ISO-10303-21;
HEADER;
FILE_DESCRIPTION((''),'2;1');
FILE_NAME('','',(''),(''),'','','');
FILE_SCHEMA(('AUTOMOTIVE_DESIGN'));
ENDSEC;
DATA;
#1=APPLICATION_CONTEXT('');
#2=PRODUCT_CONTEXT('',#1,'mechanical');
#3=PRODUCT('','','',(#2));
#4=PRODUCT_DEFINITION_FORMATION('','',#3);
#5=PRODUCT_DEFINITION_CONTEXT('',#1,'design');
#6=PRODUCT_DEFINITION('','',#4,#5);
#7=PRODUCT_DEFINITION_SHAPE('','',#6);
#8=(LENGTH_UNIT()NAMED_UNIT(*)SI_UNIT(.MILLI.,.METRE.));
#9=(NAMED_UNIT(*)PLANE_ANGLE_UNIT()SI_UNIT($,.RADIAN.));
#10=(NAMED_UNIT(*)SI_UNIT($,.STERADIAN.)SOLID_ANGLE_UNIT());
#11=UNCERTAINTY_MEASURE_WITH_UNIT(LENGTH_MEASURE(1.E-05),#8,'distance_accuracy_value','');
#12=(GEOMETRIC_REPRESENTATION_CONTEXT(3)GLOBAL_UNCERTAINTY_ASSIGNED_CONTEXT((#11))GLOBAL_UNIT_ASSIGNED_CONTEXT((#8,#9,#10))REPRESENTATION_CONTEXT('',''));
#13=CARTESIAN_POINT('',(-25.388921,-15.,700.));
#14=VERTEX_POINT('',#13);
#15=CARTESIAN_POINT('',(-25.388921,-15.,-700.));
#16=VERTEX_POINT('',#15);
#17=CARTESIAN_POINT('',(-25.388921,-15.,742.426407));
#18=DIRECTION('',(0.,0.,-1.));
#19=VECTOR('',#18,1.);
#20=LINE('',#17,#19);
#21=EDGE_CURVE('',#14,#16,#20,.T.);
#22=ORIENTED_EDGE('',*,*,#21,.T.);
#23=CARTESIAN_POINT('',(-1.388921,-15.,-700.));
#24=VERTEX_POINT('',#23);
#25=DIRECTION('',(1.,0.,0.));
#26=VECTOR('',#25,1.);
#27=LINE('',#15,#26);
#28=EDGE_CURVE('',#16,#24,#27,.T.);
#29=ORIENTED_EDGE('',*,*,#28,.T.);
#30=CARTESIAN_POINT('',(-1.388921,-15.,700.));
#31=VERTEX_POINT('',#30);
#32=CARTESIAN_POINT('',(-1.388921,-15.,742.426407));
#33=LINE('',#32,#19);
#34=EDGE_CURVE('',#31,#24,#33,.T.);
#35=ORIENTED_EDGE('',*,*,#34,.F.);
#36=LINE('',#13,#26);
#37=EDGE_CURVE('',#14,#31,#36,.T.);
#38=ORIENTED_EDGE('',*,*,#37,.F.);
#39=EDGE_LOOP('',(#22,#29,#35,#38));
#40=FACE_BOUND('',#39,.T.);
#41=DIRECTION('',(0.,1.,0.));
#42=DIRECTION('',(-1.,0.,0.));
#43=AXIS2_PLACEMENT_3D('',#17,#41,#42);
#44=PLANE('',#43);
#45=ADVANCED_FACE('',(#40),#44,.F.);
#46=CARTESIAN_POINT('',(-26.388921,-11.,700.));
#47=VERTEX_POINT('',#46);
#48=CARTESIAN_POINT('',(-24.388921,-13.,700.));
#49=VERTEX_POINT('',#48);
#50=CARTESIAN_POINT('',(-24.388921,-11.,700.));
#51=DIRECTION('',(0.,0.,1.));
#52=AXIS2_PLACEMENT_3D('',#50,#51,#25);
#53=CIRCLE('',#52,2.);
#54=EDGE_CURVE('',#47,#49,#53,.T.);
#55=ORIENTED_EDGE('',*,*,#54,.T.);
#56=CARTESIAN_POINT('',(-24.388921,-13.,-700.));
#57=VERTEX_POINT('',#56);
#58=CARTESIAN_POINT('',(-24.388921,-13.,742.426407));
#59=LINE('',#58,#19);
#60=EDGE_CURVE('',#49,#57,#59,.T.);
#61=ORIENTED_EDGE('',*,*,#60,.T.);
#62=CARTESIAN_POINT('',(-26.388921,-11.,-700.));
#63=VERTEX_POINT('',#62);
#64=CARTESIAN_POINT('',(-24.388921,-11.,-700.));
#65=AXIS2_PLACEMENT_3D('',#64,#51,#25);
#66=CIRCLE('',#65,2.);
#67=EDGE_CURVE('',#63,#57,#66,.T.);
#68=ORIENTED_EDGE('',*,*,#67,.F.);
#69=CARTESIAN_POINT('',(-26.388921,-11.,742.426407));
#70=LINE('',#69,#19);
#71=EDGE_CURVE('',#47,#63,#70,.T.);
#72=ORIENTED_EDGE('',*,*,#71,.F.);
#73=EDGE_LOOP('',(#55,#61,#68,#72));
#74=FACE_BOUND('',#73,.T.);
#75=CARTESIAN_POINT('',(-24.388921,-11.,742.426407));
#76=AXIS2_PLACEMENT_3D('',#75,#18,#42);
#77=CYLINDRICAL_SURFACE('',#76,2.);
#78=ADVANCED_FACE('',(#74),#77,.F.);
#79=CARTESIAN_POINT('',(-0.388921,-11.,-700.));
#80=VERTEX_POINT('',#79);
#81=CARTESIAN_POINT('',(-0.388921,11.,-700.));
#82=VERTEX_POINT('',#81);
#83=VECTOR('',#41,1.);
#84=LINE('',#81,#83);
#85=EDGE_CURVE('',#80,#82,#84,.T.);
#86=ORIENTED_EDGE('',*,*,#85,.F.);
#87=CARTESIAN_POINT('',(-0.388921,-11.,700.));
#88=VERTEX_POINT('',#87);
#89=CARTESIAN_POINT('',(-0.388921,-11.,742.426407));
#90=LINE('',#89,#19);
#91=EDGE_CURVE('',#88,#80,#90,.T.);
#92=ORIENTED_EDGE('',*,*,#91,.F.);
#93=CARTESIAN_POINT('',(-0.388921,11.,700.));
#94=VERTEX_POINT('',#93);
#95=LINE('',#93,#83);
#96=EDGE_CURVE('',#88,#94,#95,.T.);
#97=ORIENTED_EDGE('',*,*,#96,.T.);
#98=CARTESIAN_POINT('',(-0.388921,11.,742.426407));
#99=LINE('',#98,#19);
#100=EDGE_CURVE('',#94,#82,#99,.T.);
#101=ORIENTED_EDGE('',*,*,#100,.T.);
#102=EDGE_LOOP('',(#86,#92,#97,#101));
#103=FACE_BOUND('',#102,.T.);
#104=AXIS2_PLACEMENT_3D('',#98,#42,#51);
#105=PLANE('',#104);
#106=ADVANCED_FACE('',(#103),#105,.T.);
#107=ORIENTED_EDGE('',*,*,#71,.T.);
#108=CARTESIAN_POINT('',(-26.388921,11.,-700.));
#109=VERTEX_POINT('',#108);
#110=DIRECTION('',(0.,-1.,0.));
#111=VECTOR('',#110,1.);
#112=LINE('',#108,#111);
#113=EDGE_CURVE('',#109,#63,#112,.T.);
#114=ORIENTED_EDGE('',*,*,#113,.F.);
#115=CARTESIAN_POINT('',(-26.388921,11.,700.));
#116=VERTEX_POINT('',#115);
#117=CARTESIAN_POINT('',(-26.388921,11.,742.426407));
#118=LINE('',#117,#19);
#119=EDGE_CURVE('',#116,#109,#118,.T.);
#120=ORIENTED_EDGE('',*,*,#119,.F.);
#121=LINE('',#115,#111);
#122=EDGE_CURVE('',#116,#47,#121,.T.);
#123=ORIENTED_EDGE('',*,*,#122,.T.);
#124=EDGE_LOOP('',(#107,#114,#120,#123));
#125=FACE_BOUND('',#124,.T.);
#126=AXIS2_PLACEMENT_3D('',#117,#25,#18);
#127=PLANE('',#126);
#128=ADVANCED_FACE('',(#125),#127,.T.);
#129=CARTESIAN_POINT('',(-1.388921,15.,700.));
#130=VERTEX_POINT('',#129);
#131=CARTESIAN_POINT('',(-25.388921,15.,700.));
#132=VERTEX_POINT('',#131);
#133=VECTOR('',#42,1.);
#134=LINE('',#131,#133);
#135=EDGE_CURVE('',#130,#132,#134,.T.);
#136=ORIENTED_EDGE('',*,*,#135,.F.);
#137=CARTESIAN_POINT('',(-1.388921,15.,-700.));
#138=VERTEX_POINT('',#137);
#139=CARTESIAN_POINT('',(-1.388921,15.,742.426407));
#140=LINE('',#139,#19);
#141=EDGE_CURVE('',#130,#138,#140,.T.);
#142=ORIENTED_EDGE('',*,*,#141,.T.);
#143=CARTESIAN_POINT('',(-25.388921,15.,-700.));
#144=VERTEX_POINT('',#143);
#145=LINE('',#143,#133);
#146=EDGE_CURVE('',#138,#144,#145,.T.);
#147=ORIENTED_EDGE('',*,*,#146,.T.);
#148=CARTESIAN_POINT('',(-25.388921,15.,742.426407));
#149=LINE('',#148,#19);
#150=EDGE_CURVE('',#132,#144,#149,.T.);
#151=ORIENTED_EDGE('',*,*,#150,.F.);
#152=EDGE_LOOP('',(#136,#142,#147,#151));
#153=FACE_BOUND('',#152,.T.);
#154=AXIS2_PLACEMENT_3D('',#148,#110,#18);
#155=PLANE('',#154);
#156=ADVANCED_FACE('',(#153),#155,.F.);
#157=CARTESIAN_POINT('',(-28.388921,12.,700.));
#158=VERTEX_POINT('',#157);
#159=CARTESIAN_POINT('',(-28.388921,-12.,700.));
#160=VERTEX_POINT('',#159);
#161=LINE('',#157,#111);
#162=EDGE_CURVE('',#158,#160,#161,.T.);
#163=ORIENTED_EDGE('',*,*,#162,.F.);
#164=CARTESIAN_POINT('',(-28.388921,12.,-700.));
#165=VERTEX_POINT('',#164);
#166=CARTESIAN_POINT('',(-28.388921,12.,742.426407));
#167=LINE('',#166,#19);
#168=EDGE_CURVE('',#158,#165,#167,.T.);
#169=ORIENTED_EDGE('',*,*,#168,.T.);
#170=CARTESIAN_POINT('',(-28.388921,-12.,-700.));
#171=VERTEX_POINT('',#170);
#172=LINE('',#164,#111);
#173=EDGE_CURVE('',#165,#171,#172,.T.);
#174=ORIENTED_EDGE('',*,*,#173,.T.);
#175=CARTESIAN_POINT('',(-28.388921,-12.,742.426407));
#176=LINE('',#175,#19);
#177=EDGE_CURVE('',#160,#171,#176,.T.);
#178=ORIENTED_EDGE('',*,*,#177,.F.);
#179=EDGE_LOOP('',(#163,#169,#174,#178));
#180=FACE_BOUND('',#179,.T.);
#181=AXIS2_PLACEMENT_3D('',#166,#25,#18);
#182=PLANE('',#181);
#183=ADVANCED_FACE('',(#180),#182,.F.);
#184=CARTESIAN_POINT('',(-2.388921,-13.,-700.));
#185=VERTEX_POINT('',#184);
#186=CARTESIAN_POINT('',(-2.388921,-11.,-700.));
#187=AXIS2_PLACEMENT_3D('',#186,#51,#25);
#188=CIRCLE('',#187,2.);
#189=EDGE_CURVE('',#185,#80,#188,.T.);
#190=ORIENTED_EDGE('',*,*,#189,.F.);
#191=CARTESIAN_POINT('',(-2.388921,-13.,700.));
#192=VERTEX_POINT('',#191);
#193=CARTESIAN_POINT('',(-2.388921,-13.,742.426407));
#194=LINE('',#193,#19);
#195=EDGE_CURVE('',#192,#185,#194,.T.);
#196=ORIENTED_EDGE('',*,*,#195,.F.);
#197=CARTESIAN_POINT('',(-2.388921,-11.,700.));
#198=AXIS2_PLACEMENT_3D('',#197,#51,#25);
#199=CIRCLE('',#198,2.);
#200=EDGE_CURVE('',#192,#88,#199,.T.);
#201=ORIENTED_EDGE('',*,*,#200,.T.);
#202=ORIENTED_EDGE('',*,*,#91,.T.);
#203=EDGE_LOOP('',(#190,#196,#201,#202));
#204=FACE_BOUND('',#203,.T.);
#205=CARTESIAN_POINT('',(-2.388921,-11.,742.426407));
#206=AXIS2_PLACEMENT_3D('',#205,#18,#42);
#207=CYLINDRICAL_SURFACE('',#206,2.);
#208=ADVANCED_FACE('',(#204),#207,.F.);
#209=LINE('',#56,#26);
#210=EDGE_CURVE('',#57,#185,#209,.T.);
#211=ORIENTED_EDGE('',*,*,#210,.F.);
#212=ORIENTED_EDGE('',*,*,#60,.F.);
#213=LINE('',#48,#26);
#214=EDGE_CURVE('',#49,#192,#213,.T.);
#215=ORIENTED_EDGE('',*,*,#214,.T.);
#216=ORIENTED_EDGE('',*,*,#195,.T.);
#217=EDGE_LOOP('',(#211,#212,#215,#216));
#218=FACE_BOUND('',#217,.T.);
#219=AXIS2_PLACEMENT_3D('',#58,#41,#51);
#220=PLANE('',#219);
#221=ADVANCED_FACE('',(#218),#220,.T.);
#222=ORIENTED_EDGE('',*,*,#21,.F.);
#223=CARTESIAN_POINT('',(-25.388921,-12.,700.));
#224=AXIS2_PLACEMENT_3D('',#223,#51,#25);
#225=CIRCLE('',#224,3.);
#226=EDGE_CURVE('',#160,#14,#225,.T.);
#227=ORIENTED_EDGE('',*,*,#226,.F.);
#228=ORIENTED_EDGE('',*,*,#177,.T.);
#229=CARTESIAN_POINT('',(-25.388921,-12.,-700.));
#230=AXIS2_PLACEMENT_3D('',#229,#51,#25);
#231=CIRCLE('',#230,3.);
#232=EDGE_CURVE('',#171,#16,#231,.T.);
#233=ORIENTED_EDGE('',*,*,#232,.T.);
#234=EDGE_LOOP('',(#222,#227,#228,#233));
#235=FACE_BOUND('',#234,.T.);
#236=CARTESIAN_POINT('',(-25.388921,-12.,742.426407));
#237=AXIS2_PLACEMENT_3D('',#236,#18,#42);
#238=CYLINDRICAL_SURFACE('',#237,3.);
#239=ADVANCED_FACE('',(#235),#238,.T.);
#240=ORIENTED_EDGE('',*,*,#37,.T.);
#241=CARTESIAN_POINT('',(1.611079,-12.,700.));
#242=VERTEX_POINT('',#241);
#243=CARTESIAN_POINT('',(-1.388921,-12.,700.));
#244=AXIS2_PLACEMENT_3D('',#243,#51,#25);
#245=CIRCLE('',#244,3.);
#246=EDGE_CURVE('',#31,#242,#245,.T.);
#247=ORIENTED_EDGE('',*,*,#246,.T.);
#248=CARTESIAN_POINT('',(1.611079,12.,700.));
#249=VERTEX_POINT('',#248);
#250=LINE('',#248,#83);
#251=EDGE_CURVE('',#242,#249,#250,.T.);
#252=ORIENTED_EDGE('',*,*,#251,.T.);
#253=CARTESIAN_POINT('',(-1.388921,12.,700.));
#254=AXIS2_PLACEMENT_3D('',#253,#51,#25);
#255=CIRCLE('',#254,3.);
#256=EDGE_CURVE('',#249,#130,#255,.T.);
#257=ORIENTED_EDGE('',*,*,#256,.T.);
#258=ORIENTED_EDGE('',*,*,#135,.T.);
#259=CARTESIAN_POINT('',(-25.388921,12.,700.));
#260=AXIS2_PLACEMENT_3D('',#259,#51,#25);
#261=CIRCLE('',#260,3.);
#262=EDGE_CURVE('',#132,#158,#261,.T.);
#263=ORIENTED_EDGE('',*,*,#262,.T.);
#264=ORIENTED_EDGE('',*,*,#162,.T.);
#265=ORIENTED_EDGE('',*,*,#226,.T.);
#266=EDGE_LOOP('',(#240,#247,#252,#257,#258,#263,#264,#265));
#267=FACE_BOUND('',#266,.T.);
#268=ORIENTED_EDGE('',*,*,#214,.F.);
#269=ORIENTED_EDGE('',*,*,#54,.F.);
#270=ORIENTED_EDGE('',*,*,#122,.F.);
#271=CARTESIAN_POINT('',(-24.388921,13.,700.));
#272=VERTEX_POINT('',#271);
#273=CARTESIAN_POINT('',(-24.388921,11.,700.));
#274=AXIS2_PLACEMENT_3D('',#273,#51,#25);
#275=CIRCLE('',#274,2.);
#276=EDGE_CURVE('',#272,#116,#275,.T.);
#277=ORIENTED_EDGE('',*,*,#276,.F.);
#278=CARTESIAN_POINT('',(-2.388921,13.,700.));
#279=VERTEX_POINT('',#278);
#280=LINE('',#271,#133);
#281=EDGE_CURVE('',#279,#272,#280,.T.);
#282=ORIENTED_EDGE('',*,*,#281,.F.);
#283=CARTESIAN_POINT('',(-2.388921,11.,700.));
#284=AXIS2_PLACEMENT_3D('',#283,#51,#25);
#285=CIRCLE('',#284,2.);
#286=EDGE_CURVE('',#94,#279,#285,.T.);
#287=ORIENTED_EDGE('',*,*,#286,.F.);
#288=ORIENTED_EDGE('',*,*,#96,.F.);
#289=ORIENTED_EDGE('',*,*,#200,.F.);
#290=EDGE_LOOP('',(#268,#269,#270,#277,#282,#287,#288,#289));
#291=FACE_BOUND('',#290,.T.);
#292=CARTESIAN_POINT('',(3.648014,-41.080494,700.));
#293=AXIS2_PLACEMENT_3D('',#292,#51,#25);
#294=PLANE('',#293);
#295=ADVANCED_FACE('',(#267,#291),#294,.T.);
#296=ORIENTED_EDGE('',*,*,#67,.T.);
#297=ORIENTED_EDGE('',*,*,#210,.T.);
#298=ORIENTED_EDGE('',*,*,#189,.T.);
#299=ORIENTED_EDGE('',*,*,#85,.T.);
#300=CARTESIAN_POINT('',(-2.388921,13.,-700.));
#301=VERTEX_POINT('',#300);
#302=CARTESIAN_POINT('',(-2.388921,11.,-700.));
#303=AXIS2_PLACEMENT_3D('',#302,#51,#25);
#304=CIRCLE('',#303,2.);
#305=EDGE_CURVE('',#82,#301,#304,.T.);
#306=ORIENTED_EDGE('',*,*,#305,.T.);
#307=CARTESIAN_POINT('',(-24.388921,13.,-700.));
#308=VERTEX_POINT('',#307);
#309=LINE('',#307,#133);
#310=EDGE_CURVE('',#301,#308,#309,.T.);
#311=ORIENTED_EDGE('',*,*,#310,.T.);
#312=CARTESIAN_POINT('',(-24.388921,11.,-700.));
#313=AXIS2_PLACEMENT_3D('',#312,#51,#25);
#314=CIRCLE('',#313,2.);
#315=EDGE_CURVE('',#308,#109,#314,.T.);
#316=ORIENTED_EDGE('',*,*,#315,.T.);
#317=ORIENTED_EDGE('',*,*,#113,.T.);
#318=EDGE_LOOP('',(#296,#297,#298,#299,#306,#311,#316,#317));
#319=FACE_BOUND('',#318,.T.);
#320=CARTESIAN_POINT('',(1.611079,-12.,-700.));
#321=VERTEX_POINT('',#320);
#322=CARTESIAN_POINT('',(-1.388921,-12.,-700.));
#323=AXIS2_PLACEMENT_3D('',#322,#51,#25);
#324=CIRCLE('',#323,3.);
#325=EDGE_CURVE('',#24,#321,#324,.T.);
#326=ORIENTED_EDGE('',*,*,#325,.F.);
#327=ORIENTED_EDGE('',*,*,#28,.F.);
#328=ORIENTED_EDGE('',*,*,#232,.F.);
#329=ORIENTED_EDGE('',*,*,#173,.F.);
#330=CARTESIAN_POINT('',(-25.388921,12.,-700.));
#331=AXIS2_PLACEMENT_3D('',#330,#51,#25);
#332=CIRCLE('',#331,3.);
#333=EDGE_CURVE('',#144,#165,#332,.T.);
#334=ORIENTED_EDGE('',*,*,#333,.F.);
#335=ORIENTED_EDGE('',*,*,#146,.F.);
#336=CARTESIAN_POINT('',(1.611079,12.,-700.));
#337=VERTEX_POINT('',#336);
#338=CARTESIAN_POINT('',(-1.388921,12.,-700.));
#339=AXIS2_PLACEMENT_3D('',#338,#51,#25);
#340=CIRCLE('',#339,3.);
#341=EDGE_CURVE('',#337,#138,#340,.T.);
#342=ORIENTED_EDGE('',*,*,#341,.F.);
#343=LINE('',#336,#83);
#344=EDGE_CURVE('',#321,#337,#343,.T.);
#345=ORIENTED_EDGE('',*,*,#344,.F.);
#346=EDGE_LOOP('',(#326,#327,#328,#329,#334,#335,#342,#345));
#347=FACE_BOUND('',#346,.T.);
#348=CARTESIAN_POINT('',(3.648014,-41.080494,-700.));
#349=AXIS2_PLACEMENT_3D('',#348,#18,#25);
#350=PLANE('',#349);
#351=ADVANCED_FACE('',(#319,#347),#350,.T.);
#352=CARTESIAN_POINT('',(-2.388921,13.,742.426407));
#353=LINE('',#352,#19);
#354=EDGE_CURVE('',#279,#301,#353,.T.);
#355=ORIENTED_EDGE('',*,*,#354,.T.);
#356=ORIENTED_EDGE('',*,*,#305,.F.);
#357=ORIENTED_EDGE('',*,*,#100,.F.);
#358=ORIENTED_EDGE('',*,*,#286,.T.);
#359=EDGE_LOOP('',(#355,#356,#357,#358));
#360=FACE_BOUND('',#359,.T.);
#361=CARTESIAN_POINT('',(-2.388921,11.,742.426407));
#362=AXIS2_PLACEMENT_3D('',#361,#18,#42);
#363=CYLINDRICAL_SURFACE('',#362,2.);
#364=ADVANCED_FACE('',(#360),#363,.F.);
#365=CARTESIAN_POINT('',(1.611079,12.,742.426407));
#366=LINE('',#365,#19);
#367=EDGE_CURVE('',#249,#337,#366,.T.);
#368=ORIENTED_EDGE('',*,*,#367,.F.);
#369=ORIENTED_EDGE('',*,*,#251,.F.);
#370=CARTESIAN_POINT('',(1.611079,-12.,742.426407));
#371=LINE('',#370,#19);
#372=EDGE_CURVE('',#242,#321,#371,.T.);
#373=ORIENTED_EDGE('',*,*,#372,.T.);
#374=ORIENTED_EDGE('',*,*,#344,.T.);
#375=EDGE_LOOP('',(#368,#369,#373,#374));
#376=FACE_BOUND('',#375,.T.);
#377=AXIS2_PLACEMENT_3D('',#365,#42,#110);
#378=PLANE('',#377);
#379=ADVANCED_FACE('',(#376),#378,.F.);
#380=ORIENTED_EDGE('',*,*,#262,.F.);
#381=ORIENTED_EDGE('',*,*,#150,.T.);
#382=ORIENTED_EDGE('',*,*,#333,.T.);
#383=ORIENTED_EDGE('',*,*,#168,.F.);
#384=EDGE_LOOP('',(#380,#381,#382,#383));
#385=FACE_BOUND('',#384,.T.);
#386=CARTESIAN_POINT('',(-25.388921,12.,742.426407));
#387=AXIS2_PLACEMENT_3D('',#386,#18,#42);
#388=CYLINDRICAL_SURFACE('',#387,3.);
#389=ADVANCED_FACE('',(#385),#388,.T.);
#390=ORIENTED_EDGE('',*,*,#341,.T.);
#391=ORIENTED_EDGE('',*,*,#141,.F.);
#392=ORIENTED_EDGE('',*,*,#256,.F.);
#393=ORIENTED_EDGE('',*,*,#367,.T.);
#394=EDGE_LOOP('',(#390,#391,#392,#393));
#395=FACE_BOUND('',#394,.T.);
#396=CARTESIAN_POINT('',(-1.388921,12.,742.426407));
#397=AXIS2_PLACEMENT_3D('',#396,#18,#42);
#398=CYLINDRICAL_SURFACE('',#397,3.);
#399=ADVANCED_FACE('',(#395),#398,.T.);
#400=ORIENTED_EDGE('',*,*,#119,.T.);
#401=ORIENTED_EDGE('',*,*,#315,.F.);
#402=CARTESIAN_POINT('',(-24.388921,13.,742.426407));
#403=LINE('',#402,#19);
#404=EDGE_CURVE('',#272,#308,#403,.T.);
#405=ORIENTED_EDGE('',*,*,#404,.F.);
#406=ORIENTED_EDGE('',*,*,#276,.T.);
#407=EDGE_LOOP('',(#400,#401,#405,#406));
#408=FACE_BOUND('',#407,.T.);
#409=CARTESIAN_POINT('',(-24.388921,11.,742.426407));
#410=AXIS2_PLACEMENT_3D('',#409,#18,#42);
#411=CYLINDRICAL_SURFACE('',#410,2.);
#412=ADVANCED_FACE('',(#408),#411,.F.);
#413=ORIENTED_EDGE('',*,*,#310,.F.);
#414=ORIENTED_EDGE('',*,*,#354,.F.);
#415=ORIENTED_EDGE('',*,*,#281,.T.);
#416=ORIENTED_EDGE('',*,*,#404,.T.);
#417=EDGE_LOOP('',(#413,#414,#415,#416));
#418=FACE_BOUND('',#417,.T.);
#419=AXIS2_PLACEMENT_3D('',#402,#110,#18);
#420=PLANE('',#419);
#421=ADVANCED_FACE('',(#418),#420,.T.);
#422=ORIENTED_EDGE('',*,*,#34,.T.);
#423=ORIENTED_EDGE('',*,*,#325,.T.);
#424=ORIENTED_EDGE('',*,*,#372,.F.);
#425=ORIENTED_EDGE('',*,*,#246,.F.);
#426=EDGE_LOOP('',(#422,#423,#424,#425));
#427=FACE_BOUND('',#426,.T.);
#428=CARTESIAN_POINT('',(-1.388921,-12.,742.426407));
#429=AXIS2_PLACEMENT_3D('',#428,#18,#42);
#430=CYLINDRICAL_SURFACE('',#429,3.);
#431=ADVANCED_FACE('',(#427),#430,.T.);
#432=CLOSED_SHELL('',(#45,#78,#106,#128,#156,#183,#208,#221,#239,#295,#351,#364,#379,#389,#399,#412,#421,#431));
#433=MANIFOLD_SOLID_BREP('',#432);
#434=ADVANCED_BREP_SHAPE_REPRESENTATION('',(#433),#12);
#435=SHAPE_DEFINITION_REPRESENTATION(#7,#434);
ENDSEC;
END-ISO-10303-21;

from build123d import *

# Parameters (mm, degrees)
EXTRUDE_1_DEPTH = 700


with BuildPart() as part:
    # Эскиз1 → Бобышка-Вытянуть1 (new body)
    with BuildSketch(Plane.XY):
        with BuildLine():
            Line((-25.388920969, 15), (-1.388920969, 15))
            ThreePointArc((-1.388920969, 15), (0.732399375, 14.121320344), (1.611079031, 12))
            Line((1.611079031, 12), (1.611079031, -12))
            ThreePointArc((1.611079031, -12), (0.732399375, -14.121320344), (-1.388920969, -15))
            Line((-1.388920969, -15), (-25.388920969, -15))
            ThreePointArc((-25.388920969, -15), (-27.510241313, -14.121320344), (-28.388920969, -12))
            Line((-28.388920969, -12), (-28.388920969, 12))
            ThreePointArc((-28.388920969, 12), (-27.510241313, 14.121320344), (-25.388920969, 15))
        make_face()
        with BuildLine():
            Line((-24.388920969, 13), (-2.388920969, 13))
            ThreePointArc((-2.388920969, 13), (-0.974707407, 12.414213562), (-0.388920969, 11))
            Line((-0.388920969, 11), (-0.388920969, -11))
            ThreePointArc((-0.388920969, -11), (-0.974707407, -12.414213562), (-2.388920969, -13))
            Line((-2.388920969, -13), (-24.388920969, -13))
            ThreePointArc((-24.388920969, -13), (-25.803134531, -12.414213562), (-26.388920969, -11))
            Line((-26.388920969, -11), (-26.388920969, 11))
            ThreePointArc((-26.388920969, 11), (-25.803134531, 12.414213562), (-24.388920969, 13))
        make_face(mode=Mode.SUBTRACT)
    extrude(amount=EXTRUDE_1_DEPTH)

    # Зеркальное отражение1: part across plane


with BuildPart() as part_1:
    add(part.part)
    add(part.part.mirror(Plane(origin=(-25.388920969, -12, 0), x_dir=(1, 0, 0), z_dir=(0, 0, 1))))


solid = part_1.part
